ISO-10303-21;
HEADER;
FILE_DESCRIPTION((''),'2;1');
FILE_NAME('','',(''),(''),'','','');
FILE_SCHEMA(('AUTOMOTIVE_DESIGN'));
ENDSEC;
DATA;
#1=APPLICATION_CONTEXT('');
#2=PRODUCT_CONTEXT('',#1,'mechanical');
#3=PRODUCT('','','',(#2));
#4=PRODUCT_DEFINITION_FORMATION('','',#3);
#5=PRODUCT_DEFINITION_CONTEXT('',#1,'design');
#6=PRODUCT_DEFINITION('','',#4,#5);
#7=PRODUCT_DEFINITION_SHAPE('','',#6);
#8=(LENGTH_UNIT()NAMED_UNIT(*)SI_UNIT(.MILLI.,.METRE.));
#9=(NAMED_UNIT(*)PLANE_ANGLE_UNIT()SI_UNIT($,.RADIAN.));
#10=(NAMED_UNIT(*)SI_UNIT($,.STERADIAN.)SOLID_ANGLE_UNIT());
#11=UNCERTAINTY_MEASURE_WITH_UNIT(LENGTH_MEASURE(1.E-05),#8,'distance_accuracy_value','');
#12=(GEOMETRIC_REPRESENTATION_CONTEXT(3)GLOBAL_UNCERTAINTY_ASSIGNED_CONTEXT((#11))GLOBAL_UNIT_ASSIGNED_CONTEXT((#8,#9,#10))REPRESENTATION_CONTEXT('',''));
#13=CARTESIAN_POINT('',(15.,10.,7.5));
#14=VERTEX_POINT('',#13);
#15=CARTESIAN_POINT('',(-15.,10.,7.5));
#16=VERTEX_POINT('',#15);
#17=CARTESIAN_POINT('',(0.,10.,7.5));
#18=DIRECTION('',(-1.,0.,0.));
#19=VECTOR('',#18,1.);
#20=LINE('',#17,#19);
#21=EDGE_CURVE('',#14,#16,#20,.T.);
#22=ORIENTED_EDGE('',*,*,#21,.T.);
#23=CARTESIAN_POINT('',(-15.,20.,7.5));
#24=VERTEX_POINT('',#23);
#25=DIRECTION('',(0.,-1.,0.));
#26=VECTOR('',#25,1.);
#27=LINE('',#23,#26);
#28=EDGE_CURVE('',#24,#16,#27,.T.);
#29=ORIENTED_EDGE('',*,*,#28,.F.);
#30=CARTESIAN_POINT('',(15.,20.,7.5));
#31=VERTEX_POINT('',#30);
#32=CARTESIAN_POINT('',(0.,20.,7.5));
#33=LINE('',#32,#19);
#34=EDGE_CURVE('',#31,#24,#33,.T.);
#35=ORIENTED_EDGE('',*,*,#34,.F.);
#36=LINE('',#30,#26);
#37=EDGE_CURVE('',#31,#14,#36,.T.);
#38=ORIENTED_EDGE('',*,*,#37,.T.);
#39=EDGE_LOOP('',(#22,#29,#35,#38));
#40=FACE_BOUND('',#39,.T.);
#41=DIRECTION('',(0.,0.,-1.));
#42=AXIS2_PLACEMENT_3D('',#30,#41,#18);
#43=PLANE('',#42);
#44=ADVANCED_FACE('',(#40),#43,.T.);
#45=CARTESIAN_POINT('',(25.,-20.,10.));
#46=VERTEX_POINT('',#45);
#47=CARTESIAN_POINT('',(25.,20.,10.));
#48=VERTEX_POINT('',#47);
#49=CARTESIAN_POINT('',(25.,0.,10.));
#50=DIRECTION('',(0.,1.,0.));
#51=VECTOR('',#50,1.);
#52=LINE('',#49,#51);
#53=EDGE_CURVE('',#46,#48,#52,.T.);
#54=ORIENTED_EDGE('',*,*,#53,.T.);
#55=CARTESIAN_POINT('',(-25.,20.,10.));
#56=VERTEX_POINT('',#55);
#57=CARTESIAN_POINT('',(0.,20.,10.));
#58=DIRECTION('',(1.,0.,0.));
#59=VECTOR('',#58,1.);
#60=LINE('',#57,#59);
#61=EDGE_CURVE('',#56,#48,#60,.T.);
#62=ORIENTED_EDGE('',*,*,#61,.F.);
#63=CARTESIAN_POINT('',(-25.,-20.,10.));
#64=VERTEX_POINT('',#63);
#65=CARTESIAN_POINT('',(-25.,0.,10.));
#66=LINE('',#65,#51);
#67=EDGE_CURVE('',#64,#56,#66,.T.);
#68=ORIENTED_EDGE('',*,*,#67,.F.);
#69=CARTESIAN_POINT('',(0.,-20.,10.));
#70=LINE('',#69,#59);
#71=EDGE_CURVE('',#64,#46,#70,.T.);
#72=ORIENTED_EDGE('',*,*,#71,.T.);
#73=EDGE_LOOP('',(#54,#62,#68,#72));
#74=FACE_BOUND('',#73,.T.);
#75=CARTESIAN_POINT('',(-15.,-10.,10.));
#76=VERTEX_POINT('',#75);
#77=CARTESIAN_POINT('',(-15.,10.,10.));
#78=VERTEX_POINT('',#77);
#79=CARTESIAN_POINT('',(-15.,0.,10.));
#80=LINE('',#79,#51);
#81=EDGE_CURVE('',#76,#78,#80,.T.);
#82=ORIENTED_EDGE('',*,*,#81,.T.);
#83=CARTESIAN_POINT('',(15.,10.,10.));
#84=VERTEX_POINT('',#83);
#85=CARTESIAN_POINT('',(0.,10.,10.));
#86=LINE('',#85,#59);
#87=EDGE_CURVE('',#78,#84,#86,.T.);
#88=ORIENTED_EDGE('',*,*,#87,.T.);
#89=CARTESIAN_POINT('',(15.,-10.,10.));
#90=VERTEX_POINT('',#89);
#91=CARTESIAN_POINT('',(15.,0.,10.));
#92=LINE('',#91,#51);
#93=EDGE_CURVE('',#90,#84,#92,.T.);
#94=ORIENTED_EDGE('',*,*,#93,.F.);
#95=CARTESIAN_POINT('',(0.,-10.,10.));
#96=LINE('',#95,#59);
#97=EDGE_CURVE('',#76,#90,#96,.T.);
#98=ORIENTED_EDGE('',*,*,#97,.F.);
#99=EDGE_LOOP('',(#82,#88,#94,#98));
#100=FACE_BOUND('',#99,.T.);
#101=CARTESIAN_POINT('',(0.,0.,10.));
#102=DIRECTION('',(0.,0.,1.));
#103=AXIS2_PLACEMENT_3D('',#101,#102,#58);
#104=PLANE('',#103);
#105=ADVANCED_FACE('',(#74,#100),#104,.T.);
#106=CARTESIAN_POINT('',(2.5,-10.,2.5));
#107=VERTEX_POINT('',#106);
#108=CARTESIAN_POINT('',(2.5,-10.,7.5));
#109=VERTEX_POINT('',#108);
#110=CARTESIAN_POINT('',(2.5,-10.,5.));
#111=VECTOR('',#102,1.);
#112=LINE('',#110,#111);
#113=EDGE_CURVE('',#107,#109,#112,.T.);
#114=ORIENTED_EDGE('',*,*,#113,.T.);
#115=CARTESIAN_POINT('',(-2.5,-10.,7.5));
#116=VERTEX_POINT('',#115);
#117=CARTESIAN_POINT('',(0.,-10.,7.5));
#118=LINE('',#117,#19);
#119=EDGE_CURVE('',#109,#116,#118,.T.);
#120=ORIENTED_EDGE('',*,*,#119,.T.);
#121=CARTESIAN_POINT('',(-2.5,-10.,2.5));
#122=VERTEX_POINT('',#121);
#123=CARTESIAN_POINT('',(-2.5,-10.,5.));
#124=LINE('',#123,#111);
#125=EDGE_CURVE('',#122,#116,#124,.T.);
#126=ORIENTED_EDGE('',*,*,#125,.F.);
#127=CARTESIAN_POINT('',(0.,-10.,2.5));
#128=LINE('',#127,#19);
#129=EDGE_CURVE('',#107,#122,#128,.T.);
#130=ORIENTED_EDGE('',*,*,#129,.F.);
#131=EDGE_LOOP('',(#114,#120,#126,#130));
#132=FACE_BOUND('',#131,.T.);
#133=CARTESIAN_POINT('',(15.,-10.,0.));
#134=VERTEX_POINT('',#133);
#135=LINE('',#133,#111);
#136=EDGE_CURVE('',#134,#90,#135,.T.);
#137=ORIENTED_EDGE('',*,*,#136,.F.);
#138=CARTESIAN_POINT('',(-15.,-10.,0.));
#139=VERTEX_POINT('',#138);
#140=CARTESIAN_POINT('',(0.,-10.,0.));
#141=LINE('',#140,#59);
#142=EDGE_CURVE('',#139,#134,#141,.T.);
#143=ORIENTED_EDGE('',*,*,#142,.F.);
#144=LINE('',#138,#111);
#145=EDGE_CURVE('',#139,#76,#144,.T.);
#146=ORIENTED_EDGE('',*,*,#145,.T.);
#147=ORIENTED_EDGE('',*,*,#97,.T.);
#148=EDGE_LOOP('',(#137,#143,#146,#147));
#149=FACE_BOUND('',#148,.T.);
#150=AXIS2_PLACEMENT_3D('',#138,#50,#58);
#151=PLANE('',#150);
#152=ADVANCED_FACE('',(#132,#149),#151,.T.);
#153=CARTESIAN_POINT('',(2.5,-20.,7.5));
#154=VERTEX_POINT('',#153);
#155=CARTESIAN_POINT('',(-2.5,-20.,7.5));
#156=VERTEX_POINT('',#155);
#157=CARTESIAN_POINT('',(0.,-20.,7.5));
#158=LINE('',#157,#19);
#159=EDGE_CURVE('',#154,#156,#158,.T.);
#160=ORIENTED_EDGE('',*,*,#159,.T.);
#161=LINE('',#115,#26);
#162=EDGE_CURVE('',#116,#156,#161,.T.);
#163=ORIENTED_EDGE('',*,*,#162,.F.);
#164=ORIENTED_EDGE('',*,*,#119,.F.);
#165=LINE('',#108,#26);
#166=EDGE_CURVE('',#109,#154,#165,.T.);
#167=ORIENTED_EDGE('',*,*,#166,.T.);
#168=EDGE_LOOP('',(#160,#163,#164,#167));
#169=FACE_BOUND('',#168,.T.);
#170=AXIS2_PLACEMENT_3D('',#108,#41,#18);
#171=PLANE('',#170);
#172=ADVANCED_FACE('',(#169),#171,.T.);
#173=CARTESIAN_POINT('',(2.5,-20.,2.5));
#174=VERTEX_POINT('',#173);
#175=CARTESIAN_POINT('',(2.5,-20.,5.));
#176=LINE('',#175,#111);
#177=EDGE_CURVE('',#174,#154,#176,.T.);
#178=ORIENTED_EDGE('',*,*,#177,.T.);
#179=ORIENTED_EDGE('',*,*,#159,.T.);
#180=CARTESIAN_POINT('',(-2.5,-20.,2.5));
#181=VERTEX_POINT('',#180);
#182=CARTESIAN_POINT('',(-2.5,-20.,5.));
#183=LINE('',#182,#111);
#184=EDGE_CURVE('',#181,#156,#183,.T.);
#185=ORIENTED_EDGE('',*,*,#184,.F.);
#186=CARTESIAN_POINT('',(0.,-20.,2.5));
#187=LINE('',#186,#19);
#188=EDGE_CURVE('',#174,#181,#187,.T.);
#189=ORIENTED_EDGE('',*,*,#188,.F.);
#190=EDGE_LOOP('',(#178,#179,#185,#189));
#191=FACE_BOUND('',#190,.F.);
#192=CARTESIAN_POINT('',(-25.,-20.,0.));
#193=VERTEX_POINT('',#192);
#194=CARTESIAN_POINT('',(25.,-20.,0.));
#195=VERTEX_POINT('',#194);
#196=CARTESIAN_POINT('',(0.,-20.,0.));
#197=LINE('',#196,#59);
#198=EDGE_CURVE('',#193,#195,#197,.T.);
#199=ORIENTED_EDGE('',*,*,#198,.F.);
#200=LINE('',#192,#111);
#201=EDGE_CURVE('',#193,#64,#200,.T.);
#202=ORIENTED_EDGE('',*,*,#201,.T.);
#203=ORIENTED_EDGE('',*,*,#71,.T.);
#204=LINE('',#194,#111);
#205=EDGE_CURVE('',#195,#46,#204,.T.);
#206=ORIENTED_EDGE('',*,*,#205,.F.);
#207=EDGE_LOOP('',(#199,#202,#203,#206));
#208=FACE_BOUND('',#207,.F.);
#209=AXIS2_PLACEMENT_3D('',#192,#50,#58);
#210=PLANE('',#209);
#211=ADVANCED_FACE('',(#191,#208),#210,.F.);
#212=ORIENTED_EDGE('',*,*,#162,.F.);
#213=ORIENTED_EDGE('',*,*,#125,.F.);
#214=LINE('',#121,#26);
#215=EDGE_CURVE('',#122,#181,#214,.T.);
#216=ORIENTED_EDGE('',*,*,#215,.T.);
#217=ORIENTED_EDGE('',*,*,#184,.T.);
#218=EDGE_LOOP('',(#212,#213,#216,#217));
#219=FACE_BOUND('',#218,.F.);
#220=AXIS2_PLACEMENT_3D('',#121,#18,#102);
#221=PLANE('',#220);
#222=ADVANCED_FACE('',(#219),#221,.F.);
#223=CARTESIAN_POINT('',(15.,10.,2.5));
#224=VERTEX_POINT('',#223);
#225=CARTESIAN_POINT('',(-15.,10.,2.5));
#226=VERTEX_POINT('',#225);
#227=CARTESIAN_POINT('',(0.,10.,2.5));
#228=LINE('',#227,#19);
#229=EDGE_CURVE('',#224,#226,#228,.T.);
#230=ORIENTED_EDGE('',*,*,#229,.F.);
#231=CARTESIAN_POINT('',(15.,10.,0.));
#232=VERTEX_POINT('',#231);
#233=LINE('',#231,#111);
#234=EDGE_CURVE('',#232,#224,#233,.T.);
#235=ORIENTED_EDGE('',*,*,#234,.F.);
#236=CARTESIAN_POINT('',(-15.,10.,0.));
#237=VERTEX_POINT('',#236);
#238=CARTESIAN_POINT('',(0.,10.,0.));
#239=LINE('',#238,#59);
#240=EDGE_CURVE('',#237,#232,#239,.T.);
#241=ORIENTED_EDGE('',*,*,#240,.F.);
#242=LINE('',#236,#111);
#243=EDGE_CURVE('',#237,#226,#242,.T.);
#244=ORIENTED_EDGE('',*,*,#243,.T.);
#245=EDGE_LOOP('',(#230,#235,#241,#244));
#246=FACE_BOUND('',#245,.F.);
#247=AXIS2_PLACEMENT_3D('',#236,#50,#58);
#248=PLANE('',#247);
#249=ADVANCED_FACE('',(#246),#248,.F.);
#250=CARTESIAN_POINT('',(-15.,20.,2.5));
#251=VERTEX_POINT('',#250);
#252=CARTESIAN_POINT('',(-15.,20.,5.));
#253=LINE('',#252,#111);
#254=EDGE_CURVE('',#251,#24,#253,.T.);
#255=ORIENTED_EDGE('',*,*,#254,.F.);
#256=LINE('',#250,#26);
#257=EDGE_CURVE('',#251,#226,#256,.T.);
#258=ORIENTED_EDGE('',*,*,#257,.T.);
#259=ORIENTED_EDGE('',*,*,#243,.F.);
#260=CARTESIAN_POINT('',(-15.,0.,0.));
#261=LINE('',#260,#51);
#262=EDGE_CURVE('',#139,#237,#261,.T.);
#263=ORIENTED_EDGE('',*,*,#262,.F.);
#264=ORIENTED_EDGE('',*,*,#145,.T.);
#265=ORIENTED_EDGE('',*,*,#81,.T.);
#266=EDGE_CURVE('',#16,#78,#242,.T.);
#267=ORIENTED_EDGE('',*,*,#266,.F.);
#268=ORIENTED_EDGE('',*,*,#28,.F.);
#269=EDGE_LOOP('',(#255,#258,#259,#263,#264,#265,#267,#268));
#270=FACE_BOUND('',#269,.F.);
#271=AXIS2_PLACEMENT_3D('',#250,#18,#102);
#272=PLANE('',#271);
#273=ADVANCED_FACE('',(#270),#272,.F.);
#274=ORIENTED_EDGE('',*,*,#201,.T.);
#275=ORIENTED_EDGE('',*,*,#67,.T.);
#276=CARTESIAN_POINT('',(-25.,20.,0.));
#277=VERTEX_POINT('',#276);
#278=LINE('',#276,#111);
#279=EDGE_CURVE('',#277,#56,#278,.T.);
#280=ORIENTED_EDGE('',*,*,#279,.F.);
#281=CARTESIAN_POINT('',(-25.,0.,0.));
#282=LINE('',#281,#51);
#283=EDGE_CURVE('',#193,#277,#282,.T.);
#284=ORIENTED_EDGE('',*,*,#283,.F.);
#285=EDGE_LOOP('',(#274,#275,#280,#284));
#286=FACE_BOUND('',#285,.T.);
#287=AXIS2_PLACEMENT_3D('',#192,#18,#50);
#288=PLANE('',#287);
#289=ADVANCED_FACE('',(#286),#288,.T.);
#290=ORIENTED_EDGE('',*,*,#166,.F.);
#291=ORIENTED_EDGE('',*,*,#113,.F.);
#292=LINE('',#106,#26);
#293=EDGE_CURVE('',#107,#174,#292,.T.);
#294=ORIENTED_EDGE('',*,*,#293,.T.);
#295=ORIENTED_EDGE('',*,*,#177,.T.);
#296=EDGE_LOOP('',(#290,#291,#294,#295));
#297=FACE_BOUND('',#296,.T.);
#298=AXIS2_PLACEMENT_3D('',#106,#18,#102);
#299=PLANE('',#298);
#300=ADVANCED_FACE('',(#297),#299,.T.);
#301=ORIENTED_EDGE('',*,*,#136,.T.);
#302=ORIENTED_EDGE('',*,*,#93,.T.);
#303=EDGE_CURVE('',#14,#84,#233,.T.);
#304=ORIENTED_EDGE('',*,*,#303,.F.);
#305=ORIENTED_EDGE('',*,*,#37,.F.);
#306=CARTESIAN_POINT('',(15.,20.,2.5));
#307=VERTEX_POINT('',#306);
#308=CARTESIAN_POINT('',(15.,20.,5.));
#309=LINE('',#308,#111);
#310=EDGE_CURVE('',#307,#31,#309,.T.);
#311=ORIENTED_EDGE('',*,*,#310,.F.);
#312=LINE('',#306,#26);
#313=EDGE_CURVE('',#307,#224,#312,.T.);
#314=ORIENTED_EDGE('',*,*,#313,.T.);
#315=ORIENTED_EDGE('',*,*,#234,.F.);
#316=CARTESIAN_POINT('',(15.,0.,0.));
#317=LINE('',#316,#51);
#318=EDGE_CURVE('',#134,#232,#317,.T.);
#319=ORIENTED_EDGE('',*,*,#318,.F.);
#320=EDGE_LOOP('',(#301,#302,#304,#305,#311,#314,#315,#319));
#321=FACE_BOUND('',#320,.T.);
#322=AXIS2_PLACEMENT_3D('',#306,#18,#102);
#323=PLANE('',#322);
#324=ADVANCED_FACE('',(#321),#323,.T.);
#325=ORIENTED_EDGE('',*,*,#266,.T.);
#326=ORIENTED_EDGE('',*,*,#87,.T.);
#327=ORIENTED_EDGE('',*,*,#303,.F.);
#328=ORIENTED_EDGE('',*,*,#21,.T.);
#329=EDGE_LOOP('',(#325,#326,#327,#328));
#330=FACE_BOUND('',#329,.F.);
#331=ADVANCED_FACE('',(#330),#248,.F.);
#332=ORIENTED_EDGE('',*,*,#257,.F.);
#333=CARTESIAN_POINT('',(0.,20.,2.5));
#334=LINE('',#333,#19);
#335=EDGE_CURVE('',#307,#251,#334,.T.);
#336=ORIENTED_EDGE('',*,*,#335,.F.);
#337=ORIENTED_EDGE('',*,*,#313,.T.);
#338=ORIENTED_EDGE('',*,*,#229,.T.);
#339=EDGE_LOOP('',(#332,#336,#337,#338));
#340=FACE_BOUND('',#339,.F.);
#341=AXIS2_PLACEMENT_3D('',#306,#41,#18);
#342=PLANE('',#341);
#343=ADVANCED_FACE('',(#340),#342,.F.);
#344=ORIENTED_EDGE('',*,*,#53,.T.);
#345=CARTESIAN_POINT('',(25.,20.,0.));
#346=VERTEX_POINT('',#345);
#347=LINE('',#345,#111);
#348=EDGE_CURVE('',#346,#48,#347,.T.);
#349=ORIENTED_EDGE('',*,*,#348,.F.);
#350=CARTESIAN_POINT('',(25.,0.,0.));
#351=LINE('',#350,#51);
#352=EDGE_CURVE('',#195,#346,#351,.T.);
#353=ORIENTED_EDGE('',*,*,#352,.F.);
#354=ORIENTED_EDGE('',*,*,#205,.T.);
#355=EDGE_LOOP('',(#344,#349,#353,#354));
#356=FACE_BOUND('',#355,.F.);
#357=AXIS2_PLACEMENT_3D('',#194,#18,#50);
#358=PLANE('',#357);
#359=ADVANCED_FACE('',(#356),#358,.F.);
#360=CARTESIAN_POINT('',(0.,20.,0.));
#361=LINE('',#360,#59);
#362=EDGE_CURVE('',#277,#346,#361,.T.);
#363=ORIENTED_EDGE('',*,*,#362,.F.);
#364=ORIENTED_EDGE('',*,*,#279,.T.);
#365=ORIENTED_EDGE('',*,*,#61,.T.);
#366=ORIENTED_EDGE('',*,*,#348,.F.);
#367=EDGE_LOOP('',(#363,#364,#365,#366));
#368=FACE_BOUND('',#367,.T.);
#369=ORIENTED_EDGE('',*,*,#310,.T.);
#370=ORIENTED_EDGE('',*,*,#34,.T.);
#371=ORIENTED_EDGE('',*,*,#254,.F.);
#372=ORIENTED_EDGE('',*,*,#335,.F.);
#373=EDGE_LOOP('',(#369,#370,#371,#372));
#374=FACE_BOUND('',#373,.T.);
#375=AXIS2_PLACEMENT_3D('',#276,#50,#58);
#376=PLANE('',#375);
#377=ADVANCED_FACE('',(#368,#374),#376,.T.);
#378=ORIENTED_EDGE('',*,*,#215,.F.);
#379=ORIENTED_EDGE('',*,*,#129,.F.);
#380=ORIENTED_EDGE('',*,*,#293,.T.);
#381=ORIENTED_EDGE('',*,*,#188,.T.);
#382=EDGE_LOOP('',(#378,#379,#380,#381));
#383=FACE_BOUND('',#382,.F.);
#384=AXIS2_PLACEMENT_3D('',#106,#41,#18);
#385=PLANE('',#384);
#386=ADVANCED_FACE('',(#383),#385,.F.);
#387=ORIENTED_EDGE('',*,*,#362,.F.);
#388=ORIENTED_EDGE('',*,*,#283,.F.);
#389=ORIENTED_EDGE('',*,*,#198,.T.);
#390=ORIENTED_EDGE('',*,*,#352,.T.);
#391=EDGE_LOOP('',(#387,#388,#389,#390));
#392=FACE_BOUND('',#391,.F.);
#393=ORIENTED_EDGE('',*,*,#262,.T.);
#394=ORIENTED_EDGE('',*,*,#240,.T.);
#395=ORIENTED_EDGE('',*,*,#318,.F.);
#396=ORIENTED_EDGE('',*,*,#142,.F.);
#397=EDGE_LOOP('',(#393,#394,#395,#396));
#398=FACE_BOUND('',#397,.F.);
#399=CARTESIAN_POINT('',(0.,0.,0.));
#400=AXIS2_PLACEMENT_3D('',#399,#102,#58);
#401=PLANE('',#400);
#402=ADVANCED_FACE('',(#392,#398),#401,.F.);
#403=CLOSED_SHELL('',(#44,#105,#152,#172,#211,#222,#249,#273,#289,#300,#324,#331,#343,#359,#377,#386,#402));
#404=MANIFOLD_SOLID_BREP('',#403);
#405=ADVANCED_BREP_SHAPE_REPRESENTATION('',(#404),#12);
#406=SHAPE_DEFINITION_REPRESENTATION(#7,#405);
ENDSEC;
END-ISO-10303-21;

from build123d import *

# Parameters (mm, degrees)
F0_W     = 50
F0_H     = 40
F0_W_2   = 30
F0_H_2   = 20
F1_DEPTH = 10
F2_W     = 30
F2_H     = 5
F3_DEPTH = 25
F4_W     = 5
F4_H     = 5
F5_DEPTH = 10


with BuildPart() as f1:
    # F0 (on Top) → F1 (new body)
    with BuildSketch(Plane.XY):
        Rectangle(F0_W, F0_H)
        Rectangle(F0_W_2, F0_H_2, mode=Mode.SUBTRACT)
    extrude(amount=F1_DEPTH)

    # F2 (on face) → F3 (cut)
    with BuildSketch(Plane(origin=(0, 20, 0), x_dir=(-1, 0, 0), z_dir=(0, 1, 0))):
        with Locations((0, 5)):
            Rectangle(F2_W, F2_H)
    extrude(amount=-F3_DEPTH, mode=Mode.SUBTRACT)

    # F4 (on face) → F5 (cut, through all)
    with BuildSketch(Plane(origin=(0, -10, 0), x_dir=(-1, 0, 0), z_dir=(0, 1, 0))):
        with Locations((0, 5)):
            Rectangle(F4_W, F4_H)
    extrude(amount=-F5_DEPTH, mode=Mode.SUBTRACT)


solid = f1.part
